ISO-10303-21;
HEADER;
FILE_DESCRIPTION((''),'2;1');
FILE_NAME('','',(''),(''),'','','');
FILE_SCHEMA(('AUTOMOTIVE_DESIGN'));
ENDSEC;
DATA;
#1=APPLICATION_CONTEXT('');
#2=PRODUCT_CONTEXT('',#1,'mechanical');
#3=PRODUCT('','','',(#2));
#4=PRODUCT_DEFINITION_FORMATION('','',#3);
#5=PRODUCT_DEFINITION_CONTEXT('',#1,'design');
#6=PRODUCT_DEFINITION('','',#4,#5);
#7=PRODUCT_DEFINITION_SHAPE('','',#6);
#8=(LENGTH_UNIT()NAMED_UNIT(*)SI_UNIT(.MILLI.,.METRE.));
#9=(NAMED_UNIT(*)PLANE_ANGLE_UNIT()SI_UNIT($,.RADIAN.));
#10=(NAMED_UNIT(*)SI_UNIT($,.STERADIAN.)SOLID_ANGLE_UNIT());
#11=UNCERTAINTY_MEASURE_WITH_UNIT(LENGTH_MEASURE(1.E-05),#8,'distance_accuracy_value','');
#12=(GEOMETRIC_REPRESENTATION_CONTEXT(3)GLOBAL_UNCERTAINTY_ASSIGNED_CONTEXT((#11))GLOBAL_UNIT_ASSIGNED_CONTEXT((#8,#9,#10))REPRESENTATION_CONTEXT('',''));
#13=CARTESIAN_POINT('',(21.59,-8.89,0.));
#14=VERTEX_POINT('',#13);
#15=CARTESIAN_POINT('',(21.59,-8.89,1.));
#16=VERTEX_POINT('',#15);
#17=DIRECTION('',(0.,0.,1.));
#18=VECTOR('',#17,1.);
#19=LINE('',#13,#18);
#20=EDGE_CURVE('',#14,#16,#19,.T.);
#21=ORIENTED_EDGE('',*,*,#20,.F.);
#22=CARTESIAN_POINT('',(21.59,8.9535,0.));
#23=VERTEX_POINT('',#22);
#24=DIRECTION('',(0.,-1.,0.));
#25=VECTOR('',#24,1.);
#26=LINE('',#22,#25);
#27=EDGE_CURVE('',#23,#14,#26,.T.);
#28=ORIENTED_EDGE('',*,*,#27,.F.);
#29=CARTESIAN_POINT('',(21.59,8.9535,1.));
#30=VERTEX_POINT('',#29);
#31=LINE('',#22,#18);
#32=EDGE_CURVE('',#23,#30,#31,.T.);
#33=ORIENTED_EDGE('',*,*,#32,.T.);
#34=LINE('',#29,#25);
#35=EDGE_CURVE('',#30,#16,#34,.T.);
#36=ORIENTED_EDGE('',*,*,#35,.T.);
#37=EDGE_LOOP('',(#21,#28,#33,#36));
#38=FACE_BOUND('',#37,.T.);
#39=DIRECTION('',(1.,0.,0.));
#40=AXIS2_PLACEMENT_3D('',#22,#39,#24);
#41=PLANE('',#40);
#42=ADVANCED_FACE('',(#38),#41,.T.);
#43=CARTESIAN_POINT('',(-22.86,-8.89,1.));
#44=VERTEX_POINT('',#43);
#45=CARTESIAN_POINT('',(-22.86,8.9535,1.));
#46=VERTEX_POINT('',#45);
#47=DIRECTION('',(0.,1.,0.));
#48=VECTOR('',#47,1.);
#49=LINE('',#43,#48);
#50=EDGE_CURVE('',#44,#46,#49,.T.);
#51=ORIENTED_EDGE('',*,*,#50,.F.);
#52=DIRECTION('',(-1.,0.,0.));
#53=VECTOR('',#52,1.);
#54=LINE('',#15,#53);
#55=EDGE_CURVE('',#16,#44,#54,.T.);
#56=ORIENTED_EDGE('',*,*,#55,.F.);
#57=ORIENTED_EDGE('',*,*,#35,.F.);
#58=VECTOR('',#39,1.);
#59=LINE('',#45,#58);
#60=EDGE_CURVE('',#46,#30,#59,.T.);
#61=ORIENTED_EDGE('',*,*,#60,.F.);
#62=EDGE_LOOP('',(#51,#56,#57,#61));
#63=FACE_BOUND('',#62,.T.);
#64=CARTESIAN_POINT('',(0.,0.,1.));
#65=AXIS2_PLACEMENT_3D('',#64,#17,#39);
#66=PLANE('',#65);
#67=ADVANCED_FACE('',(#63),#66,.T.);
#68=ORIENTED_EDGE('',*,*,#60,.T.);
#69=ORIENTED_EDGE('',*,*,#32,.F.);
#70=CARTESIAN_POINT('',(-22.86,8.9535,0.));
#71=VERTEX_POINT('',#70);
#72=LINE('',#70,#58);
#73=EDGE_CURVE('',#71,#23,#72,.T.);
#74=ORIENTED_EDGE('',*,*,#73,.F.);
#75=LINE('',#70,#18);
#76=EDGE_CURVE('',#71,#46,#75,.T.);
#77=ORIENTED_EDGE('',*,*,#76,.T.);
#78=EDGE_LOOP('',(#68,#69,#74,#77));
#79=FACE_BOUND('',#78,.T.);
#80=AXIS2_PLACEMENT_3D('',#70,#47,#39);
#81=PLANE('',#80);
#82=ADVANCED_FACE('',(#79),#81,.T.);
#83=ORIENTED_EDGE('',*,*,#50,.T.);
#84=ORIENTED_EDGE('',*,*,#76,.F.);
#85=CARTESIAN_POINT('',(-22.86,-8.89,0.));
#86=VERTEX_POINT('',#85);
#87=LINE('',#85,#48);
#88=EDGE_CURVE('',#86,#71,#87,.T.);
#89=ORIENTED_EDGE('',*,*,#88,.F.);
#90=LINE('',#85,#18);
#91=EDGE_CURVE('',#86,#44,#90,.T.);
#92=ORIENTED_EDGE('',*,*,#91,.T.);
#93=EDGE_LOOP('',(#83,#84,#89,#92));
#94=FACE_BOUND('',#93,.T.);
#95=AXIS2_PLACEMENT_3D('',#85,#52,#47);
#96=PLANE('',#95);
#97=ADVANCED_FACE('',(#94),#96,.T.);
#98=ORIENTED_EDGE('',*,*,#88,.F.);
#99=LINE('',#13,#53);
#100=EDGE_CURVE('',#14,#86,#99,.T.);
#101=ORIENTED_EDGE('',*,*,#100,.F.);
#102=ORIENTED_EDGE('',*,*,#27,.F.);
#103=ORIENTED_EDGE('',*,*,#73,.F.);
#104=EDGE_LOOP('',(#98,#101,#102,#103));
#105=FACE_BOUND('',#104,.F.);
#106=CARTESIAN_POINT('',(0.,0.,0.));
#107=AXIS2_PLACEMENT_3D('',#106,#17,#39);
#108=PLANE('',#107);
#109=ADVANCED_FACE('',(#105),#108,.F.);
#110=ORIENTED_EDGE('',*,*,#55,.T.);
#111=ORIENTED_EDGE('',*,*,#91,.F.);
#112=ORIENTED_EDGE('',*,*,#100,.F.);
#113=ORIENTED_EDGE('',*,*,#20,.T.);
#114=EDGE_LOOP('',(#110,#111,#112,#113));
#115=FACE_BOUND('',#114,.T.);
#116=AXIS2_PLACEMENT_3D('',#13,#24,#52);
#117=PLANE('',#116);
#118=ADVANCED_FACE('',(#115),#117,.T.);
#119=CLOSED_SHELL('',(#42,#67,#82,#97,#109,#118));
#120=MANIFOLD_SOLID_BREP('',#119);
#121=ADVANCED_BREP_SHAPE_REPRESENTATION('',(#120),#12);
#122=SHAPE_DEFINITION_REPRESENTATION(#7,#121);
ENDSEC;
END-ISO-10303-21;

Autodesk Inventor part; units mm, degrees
ref_plane "YZ Plane" through (0, 0, 0) normal (1, 0, 0) x (0, 1, 0)
ref_plane "XZ Plane" through (0, 0, 0) normal (0, 1, 0) x (-1, 0, 0)
ref_plane "XY Plane" through (0, 0, 0) normal (0, 0, 1) x (1, 0, 0)
sketch "ARDUINO-NANO-3_0, ARDUINO-NANO-3_0_10" plane through (0, 0, 0) normal (0, 0, 1) x (1, 0, 0)
  line L0 (-22.86, 8.9535) -> (21.59, 8.9535)
  line L1 (21.59, 8.9535) -> (21.59, -8.89)
  line L2 (21.59, -8.89) -> (-22.86, -8.89)
  line L3 (-22.86, -8.89) -> (-22.86, 8.9535)
extrude "Extrusion1" add sketch "ARDUINO-NANO-3_0, ARDUINO-NANO-3_0_10" along normal blind 1
properties part number "ARDUINO-NANO-3_0"
